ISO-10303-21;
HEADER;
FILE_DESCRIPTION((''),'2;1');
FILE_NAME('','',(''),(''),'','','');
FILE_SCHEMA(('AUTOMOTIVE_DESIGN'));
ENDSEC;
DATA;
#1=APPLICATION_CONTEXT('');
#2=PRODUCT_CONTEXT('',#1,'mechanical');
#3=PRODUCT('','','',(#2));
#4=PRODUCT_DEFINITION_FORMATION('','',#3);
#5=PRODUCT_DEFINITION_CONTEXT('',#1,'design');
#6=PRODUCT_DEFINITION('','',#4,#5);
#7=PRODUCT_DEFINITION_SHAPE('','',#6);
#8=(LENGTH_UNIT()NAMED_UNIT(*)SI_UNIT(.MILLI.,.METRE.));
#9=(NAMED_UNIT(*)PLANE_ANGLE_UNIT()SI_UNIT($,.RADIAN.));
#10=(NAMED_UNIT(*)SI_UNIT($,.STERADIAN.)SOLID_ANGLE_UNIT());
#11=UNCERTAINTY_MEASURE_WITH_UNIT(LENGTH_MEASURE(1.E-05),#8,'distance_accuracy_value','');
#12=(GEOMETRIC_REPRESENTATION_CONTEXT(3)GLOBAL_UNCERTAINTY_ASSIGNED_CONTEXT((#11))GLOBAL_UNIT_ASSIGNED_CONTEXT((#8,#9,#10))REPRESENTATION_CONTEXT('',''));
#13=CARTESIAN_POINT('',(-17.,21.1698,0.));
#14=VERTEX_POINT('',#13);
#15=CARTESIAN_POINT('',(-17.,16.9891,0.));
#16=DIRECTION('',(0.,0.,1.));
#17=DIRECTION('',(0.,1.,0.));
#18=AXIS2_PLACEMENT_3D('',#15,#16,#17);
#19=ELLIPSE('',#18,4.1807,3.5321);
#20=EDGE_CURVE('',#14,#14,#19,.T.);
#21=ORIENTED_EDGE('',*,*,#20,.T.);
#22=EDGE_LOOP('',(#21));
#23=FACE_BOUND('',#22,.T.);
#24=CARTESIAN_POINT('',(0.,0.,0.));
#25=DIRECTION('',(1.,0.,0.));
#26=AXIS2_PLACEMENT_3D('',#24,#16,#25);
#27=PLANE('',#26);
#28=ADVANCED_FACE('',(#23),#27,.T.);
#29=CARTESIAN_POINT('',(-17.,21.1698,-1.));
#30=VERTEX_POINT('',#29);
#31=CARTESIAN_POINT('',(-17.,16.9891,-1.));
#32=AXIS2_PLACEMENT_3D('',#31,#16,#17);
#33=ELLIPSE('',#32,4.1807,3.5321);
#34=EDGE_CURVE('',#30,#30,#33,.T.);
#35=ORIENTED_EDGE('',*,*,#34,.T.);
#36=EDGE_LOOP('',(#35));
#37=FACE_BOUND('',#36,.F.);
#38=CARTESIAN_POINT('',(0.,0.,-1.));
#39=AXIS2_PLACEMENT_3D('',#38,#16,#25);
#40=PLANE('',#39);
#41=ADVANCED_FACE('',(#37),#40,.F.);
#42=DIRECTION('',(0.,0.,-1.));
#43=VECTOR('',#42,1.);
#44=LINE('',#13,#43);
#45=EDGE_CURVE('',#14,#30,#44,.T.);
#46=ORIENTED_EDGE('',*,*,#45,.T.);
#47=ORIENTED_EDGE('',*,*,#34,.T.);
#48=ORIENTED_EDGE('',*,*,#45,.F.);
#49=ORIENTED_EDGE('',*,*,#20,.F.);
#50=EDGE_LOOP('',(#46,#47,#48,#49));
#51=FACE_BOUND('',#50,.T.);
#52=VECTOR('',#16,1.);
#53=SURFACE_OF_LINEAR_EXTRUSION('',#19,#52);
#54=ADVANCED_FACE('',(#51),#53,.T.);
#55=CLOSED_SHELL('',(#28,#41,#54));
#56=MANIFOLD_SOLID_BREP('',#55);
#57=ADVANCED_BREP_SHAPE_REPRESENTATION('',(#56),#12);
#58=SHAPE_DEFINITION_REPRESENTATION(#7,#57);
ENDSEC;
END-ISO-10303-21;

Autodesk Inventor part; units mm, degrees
ref_plane "YZ Plane" through (0, 0, 0) normal (1, 0, 0) x (0, 1, 0)
ref_plane "XZ Plane" through (0, 0, 0) normal (0, 1, 0) x (-1, 0, 0)
ref_plane "XY Plane" through (0, 0, 0) normal (0, 0, 1) x (1, 0, 0)
ref_plane "작업 평면1" through (0, 0, 0) normal (0, 0, 1) x (1, 0, 0)
sketch "스케치1" plane through (0, 0, 0) normal (0, 0, 1) x (1, 0, 0)
  ellipse E0 centre (-17, 16.9891) end of major axis (-17, 21.1698) minor radius 3.5321 projected
  point P0 (0, 0)
extrude "돌출1" add sketch "스케치1" against normal blind 1
properties part number "led 창"
